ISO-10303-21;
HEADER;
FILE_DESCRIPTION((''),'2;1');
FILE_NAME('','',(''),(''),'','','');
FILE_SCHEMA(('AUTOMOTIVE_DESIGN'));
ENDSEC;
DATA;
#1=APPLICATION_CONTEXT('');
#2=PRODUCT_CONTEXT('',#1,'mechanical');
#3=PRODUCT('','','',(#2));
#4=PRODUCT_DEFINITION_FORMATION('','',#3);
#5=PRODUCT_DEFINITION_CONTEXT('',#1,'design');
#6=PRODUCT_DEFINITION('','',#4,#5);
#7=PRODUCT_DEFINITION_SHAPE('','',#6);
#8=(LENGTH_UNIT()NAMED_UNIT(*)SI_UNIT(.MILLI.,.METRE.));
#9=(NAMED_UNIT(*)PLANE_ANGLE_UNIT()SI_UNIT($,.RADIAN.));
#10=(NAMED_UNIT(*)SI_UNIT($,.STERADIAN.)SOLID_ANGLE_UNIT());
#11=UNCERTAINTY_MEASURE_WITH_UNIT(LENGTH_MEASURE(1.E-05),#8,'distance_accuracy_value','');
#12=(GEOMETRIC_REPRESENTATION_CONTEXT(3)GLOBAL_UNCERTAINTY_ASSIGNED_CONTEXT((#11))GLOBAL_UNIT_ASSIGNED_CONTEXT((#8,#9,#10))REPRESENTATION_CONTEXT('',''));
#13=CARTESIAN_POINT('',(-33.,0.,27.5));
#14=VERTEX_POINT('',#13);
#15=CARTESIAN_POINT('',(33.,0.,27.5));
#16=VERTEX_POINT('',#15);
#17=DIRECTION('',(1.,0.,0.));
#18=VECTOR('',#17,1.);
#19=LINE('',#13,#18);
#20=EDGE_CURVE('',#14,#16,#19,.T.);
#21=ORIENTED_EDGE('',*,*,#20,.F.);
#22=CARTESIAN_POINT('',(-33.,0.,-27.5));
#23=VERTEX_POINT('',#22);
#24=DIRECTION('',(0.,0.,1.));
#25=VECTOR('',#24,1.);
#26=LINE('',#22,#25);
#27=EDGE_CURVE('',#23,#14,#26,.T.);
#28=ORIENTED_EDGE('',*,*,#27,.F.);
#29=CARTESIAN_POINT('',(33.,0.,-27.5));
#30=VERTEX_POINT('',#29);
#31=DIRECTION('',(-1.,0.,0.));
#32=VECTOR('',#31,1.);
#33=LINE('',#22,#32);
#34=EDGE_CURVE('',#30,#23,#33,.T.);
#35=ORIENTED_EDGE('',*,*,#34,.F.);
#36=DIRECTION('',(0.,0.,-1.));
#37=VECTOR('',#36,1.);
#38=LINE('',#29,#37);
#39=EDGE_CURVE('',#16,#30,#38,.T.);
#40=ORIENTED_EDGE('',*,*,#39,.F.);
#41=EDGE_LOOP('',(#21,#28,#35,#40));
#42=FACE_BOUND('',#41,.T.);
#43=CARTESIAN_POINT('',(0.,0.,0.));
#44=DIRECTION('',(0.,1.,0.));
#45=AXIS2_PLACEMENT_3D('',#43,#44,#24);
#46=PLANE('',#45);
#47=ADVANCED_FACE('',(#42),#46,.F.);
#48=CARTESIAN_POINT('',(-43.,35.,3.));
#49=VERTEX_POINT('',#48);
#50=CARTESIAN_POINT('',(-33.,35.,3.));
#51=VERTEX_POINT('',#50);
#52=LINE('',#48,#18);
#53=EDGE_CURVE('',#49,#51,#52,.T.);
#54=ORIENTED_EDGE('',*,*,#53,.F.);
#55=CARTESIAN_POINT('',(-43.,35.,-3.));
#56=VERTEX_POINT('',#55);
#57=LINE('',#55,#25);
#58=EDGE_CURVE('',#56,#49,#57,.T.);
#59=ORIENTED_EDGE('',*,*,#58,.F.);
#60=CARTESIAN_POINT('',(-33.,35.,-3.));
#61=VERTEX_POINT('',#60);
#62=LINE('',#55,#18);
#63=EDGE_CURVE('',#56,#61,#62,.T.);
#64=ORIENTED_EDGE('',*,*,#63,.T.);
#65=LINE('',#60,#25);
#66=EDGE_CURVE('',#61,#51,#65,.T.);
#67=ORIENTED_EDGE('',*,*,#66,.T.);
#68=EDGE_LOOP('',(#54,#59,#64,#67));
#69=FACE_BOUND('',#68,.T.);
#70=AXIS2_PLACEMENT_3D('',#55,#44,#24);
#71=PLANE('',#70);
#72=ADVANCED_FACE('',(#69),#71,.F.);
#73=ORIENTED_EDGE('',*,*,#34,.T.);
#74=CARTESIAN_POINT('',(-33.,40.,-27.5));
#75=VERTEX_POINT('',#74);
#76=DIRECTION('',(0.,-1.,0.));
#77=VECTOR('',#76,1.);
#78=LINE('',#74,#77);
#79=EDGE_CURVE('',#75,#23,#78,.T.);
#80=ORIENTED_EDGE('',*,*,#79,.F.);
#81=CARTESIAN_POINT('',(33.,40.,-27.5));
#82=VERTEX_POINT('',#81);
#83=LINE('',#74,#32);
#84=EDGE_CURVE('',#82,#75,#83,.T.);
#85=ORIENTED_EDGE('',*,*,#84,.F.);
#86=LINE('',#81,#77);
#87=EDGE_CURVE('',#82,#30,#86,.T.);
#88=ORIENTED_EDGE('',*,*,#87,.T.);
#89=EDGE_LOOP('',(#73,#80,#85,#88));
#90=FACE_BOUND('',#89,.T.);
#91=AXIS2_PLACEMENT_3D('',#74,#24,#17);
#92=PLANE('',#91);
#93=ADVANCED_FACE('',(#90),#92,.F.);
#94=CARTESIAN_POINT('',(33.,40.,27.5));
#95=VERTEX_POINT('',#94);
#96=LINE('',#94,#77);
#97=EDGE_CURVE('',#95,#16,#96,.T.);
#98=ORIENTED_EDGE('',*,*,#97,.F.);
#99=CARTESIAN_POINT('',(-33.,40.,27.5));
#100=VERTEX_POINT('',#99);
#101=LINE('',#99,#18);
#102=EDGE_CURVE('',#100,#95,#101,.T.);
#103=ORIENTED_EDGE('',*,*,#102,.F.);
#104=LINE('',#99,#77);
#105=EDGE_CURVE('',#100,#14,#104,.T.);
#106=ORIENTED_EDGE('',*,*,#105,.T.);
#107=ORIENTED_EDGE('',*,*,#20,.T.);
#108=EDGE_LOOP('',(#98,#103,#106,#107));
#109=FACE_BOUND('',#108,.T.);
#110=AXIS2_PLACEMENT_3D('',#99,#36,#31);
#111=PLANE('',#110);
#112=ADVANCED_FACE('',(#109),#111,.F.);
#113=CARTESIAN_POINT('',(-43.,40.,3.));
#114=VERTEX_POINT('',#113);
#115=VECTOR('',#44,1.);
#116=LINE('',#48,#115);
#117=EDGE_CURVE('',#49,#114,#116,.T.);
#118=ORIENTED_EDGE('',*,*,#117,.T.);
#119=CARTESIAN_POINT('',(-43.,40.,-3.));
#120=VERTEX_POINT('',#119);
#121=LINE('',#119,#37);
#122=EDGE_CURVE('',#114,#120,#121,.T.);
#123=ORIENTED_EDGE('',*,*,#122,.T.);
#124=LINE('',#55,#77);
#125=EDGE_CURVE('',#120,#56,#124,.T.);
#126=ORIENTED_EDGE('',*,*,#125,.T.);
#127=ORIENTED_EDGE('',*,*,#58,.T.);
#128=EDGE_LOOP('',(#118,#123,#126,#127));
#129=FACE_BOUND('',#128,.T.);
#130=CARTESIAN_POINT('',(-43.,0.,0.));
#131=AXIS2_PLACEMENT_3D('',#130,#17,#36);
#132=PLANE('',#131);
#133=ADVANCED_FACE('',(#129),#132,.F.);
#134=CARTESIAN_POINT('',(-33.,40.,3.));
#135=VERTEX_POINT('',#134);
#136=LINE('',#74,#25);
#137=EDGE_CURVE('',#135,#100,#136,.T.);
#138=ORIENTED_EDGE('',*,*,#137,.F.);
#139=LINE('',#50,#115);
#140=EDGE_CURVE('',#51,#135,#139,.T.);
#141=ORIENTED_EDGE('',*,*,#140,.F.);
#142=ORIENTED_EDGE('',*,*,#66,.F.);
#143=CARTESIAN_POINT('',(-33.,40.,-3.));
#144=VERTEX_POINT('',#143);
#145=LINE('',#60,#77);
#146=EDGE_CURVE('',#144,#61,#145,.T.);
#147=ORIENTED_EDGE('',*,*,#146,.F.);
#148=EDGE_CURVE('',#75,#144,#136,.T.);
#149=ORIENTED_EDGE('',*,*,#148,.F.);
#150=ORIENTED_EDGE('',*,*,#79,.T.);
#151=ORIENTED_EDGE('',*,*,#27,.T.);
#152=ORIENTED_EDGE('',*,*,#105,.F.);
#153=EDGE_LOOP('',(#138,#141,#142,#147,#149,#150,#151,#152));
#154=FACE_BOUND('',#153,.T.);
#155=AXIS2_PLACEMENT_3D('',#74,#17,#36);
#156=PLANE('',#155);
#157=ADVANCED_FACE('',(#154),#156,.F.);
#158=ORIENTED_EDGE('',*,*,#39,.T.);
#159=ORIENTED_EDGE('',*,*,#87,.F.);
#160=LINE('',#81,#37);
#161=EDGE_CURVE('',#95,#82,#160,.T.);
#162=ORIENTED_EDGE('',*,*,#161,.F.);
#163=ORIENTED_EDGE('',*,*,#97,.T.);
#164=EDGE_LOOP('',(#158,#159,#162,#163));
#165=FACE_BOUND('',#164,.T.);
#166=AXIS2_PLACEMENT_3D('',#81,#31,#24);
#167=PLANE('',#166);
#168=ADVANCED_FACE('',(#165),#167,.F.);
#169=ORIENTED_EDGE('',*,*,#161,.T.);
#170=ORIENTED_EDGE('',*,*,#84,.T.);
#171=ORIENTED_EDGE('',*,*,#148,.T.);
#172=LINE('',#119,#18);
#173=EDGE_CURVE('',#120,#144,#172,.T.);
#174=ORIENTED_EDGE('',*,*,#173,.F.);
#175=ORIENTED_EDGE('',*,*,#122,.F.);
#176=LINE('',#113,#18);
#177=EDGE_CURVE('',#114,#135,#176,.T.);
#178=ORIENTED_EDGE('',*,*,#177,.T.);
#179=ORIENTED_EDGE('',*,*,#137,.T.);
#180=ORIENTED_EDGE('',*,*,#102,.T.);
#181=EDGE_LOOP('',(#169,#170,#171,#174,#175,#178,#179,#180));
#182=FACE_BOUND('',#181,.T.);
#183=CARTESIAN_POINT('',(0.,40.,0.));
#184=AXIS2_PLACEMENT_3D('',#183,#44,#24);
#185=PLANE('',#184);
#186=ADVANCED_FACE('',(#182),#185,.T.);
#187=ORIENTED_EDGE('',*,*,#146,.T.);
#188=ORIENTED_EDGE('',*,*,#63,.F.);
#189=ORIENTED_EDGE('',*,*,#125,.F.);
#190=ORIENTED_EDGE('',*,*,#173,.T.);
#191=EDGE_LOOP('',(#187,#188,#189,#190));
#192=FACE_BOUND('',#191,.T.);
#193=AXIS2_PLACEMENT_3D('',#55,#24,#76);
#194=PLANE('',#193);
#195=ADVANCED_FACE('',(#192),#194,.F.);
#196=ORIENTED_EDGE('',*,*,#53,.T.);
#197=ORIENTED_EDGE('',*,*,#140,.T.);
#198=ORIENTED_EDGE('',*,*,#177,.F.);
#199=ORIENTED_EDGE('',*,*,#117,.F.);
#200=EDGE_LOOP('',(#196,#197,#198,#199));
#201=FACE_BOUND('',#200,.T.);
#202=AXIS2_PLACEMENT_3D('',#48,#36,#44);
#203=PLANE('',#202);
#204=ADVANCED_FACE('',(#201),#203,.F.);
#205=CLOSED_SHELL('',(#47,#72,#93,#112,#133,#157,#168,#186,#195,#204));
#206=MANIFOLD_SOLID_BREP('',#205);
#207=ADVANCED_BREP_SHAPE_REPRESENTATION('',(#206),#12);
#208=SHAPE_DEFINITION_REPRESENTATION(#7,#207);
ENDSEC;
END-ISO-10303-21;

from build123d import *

# Parameters (mm, degrees)
SKETCH_1_W      = 66
SKETCH_1_H      = 55
EXTRUDE_1_DEPTH = 40
SKETCH_2_W      = 6
SKETCH_2_H      = 5
EXTRUDE_2_DEPTH = 10


with BuildPart() as part:
    # 草图1 → 凸台-拉伸1 (new body)
    with BuildSketch(Plane(origin=(0, 0, 0), x_dir=(1, 0, 0), z_dir=(0, 1, 0))):
        Rectangle(SKETCH_1_W, SKETCH_1_H)
    extrude(amount=EXTRUDE_1_DEPTH)

    # 草图2 → 凸台-拉伸2 (add)
    with BuildSketch(Plane.ZY.offset(33)):
        with Locations((0, 37.5)):
            Rectangle(SKETCH_2_W, SKETCH_2_H)
    extrude(amount=EXTRUDE_2_DEPTH)


solid = part.part
